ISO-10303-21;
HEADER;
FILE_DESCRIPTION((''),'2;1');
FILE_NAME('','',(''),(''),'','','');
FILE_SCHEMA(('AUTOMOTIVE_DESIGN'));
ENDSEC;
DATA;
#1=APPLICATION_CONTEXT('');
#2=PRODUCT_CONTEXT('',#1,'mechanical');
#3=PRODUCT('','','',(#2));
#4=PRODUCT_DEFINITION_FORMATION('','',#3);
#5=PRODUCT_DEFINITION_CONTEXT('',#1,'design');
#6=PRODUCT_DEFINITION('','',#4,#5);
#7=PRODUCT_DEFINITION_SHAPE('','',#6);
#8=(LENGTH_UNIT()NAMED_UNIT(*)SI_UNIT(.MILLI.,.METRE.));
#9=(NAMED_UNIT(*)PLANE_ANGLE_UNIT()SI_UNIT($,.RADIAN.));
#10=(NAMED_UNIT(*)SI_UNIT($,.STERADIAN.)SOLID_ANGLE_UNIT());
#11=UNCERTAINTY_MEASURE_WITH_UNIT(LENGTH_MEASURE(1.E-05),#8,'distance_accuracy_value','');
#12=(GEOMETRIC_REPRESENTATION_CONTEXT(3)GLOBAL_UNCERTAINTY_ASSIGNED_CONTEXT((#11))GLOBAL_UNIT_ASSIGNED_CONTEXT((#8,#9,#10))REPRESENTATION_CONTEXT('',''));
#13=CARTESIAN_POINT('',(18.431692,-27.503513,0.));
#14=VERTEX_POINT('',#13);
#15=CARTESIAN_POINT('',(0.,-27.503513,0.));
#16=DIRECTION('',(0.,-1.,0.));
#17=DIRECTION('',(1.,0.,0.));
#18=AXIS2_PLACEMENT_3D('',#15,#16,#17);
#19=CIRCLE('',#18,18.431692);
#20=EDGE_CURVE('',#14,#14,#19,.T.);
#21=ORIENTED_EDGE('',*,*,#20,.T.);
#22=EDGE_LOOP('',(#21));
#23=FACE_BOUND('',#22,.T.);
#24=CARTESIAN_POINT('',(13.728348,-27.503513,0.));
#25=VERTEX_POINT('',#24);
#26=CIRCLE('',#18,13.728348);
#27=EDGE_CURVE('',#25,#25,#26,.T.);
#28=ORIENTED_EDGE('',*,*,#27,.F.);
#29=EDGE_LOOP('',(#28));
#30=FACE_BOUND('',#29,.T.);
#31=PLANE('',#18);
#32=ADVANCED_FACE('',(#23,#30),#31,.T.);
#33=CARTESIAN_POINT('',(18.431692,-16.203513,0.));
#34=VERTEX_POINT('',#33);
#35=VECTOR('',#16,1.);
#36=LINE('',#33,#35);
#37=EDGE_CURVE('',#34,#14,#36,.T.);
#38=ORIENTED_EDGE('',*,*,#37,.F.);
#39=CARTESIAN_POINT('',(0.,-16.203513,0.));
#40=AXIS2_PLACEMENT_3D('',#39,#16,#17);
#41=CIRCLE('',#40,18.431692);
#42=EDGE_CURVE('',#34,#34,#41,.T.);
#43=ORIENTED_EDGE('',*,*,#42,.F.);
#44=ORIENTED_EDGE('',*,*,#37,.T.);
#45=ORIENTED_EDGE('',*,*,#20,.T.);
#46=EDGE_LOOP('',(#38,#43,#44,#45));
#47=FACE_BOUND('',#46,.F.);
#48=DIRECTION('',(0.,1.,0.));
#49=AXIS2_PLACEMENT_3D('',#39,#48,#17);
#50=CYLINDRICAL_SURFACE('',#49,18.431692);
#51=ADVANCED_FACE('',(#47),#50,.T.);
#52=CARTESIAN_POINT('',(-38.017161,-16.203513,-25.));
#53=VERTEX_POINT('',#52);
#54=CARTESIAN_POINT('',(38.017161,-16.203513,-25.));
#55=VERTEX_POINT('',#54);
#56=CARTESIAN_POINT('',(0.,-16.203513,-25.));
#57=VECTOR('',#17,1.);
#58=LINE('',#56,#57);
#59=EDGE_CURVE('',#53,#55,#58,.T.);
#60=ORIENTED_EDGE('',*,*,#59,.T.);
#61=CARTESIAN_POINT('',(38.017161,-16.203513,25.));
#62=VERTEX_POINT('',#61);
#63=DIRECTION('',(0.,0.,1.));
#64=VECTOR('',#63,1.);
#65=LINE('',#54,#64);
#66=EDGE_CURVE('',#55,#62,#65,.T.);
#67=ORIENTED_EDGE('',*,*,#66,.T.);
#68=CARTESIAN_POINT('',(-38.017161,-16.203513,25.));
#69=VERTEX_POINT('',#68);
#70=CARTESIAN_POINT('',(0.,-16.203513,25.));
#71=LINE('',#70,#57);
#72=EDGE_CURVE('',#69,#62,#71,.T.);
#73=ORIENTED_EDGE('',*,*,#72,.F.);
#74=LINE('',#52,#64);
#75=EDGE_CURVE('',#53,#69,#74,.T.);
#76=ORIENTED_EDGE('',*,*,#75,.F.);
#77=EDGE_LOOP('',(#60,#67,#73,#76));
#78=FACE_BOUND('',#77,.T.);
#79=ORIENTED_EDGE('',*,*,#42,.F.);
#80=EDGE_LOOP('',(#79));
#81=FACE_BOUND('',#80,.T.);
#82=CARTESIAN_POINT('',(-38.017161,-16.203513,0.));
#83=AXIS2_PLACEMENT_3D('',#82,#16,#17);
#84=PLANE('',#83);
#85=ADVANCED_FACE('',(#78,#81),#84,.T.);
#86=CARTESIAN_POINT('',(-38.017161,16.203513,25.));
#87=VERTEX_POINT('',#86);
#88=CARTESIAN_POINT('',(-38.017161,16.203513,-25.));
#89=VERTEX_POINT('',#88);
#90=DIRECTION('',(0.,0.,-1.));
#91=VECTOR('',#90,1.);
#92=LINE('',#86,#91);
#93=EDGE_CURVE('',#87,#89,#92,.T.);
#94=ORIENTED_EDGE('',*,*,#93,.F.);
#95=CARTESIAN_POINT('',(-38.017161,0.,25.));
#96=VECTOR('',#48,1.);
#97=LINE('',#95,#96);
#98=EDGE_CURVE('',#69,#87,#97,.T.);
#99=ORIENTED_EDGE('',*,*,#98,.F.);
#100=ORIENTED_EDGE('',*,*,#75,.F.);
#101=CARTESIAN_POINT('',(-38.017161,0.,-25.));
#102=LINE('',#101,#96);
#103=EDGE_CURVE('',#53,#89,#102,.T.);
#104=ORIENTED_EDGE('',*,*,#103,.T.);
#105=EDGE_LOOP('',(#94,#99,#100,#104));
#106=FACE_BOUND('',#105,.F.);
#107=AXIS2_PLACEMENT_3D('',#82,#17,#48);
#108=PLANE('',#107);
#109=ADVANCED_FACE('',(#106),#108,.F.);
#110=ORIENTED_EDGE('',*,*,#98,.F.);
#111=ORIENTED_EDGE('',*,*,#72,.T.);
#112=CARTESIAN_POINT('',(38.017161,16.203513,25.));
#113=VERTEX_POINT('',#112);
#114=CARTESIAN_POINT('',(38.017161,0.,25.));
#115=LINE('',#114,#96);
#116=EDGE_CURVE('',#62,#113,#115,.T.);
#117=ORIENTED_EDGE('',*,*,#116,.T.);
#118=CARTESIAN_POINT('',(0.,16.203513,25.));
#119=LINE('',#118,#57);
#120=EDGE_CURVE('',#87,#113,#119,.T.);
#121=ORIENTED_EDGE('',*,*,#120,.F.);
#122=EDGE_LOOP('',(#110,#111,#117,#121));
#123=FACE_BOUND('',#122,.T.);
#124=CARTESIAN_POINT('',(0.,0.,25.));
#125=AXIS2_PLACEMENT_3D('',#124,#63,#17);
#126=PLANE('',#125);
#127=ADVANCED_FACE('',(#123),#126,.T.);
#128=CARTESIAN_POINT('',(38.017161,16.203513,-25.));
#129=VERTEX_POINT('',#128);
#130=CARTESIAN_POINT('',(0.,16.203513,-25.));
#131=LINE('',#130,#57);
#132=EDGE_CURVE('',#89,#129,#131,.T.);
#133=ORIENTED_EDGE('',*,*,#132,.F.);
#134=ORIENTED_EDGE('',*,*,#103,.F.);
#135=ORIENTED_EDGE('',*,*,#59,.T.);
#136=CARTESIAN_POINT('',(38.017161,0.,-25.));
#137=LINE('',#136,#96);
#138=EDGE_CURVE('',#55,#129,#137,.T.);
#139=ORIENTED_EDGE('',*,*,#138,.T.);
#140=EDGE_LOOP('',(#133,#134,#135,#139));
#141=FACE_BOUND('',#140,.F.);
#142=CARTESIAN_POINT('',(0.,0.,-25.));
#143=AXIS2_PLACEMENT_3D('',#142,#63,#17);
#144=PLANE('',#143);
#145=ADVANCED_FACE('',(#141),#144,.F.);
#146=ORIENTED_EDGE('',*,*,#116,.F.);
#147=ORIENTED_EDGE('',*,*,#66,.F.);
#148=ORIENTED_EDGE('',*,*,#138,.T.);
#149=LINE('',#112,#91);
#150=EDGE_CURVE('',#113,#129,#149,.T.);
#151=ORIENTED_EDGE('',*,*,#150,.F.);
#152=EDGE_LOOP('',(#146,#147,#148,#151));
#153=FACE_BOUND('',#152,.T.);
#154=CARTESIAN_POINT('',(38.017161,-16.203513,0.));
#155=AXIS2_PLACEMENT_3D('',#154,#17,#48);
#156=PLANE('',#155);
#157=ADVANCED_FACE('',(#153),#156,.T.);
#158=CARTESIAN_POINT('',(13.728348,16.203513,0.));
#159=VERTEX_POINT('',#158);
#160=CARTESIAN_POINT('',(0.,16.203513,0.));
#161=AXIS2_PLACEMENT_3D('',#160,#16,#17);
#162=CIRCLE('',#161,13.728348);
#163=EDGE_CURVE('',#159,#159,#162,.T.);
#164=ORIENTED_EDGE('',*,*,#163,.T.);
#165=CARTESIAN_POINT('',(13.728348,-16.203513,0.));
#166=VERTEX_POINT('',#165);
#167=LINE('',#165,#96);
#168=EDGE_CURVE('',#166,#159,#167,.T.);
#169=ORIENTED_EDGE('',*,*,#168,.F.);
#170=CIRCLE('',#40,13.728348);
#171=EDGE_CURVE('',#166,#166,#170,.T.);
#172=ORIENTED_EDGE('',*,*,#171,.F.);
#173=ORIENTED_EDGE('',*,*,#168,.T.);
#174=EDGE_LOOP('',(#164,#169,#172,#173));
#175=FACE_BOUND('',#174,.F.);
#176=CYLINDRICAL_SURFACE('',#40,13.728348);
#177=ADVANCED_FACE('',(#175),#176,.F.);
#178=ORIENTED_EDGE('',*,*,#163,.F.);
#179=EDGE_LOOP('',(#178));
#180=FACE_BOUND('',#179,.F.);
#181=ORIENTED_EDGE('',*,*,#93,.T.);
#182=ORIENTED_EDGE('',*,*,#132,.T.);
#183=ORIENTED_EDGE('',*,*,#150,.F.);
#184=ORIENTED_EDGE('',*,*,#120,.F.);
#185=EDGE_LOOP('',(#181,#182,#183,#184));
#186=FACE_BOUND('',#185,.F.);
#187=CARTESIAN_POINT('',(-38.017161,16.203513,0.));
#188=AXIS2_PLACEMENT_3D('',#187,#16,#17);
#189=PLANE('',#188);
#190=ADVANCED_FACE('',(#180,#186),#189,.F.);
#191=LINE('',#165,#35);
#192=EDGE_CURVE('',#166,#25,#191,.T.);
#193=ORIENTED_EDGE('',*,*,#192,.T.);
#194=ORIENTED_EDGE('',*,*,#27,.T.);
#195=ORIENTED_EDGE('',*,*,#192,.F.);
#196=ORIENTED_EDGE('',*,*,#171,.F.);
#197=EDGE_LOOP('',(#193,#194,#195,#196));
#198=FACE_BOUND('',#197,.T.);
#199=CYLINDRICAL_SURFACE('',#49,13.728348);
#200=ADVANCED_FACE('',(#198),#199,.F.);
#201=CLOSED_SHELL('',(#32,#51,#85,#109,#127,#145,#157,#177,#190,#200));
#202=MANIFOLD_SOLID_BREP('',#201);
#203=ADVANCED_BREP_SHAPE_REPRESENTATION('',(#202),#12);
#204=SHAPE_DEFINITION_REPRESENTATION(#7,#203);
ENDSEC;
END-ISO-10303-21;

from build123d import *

# Parameters (mm, degrees)
F0_W          = 76.034322
F0_H          = 32.407026
F1_DEPTH      = 25
F1_DEPTH_BACK = 25
F2_R          = 18.431692
F2_R_2        = 13.728348
F3_DEPTH      = 11.3
F3_FACE_R     = 13.728348
F4_DEPTH      = 32.407027


with BuildPart() as f1:
    # F0 (on Top) → F1 (new body, two sides)
    with BuildSketch(Plane.XY) as f1_sk:
        Rectangle(F0_W, F0_H)
    extrude(amount=F1_DEPTH)
    extrude(f1_sk.sketch, amount=-F1_DEPTH_BACK)

    # F2 (on face) → F3 (join)
    with BuildSketch(Plane.XZ.offset(16.203513)):
        Circle(F2_R)
        Circle(F2_R_2, mode=Mode.SUBTRACT)
    extrude(amount=F3_DEPTH)

    # F3_face (on face) → F4 (cut, through all)
    with BuildSketch(Plane.XZ.offset(16.203513)):
        Circle(F3_FACE_R)
    extrude(amount=-F4_DEPTH, mode=Mode.SUBTRACT)


solid = f1.part
